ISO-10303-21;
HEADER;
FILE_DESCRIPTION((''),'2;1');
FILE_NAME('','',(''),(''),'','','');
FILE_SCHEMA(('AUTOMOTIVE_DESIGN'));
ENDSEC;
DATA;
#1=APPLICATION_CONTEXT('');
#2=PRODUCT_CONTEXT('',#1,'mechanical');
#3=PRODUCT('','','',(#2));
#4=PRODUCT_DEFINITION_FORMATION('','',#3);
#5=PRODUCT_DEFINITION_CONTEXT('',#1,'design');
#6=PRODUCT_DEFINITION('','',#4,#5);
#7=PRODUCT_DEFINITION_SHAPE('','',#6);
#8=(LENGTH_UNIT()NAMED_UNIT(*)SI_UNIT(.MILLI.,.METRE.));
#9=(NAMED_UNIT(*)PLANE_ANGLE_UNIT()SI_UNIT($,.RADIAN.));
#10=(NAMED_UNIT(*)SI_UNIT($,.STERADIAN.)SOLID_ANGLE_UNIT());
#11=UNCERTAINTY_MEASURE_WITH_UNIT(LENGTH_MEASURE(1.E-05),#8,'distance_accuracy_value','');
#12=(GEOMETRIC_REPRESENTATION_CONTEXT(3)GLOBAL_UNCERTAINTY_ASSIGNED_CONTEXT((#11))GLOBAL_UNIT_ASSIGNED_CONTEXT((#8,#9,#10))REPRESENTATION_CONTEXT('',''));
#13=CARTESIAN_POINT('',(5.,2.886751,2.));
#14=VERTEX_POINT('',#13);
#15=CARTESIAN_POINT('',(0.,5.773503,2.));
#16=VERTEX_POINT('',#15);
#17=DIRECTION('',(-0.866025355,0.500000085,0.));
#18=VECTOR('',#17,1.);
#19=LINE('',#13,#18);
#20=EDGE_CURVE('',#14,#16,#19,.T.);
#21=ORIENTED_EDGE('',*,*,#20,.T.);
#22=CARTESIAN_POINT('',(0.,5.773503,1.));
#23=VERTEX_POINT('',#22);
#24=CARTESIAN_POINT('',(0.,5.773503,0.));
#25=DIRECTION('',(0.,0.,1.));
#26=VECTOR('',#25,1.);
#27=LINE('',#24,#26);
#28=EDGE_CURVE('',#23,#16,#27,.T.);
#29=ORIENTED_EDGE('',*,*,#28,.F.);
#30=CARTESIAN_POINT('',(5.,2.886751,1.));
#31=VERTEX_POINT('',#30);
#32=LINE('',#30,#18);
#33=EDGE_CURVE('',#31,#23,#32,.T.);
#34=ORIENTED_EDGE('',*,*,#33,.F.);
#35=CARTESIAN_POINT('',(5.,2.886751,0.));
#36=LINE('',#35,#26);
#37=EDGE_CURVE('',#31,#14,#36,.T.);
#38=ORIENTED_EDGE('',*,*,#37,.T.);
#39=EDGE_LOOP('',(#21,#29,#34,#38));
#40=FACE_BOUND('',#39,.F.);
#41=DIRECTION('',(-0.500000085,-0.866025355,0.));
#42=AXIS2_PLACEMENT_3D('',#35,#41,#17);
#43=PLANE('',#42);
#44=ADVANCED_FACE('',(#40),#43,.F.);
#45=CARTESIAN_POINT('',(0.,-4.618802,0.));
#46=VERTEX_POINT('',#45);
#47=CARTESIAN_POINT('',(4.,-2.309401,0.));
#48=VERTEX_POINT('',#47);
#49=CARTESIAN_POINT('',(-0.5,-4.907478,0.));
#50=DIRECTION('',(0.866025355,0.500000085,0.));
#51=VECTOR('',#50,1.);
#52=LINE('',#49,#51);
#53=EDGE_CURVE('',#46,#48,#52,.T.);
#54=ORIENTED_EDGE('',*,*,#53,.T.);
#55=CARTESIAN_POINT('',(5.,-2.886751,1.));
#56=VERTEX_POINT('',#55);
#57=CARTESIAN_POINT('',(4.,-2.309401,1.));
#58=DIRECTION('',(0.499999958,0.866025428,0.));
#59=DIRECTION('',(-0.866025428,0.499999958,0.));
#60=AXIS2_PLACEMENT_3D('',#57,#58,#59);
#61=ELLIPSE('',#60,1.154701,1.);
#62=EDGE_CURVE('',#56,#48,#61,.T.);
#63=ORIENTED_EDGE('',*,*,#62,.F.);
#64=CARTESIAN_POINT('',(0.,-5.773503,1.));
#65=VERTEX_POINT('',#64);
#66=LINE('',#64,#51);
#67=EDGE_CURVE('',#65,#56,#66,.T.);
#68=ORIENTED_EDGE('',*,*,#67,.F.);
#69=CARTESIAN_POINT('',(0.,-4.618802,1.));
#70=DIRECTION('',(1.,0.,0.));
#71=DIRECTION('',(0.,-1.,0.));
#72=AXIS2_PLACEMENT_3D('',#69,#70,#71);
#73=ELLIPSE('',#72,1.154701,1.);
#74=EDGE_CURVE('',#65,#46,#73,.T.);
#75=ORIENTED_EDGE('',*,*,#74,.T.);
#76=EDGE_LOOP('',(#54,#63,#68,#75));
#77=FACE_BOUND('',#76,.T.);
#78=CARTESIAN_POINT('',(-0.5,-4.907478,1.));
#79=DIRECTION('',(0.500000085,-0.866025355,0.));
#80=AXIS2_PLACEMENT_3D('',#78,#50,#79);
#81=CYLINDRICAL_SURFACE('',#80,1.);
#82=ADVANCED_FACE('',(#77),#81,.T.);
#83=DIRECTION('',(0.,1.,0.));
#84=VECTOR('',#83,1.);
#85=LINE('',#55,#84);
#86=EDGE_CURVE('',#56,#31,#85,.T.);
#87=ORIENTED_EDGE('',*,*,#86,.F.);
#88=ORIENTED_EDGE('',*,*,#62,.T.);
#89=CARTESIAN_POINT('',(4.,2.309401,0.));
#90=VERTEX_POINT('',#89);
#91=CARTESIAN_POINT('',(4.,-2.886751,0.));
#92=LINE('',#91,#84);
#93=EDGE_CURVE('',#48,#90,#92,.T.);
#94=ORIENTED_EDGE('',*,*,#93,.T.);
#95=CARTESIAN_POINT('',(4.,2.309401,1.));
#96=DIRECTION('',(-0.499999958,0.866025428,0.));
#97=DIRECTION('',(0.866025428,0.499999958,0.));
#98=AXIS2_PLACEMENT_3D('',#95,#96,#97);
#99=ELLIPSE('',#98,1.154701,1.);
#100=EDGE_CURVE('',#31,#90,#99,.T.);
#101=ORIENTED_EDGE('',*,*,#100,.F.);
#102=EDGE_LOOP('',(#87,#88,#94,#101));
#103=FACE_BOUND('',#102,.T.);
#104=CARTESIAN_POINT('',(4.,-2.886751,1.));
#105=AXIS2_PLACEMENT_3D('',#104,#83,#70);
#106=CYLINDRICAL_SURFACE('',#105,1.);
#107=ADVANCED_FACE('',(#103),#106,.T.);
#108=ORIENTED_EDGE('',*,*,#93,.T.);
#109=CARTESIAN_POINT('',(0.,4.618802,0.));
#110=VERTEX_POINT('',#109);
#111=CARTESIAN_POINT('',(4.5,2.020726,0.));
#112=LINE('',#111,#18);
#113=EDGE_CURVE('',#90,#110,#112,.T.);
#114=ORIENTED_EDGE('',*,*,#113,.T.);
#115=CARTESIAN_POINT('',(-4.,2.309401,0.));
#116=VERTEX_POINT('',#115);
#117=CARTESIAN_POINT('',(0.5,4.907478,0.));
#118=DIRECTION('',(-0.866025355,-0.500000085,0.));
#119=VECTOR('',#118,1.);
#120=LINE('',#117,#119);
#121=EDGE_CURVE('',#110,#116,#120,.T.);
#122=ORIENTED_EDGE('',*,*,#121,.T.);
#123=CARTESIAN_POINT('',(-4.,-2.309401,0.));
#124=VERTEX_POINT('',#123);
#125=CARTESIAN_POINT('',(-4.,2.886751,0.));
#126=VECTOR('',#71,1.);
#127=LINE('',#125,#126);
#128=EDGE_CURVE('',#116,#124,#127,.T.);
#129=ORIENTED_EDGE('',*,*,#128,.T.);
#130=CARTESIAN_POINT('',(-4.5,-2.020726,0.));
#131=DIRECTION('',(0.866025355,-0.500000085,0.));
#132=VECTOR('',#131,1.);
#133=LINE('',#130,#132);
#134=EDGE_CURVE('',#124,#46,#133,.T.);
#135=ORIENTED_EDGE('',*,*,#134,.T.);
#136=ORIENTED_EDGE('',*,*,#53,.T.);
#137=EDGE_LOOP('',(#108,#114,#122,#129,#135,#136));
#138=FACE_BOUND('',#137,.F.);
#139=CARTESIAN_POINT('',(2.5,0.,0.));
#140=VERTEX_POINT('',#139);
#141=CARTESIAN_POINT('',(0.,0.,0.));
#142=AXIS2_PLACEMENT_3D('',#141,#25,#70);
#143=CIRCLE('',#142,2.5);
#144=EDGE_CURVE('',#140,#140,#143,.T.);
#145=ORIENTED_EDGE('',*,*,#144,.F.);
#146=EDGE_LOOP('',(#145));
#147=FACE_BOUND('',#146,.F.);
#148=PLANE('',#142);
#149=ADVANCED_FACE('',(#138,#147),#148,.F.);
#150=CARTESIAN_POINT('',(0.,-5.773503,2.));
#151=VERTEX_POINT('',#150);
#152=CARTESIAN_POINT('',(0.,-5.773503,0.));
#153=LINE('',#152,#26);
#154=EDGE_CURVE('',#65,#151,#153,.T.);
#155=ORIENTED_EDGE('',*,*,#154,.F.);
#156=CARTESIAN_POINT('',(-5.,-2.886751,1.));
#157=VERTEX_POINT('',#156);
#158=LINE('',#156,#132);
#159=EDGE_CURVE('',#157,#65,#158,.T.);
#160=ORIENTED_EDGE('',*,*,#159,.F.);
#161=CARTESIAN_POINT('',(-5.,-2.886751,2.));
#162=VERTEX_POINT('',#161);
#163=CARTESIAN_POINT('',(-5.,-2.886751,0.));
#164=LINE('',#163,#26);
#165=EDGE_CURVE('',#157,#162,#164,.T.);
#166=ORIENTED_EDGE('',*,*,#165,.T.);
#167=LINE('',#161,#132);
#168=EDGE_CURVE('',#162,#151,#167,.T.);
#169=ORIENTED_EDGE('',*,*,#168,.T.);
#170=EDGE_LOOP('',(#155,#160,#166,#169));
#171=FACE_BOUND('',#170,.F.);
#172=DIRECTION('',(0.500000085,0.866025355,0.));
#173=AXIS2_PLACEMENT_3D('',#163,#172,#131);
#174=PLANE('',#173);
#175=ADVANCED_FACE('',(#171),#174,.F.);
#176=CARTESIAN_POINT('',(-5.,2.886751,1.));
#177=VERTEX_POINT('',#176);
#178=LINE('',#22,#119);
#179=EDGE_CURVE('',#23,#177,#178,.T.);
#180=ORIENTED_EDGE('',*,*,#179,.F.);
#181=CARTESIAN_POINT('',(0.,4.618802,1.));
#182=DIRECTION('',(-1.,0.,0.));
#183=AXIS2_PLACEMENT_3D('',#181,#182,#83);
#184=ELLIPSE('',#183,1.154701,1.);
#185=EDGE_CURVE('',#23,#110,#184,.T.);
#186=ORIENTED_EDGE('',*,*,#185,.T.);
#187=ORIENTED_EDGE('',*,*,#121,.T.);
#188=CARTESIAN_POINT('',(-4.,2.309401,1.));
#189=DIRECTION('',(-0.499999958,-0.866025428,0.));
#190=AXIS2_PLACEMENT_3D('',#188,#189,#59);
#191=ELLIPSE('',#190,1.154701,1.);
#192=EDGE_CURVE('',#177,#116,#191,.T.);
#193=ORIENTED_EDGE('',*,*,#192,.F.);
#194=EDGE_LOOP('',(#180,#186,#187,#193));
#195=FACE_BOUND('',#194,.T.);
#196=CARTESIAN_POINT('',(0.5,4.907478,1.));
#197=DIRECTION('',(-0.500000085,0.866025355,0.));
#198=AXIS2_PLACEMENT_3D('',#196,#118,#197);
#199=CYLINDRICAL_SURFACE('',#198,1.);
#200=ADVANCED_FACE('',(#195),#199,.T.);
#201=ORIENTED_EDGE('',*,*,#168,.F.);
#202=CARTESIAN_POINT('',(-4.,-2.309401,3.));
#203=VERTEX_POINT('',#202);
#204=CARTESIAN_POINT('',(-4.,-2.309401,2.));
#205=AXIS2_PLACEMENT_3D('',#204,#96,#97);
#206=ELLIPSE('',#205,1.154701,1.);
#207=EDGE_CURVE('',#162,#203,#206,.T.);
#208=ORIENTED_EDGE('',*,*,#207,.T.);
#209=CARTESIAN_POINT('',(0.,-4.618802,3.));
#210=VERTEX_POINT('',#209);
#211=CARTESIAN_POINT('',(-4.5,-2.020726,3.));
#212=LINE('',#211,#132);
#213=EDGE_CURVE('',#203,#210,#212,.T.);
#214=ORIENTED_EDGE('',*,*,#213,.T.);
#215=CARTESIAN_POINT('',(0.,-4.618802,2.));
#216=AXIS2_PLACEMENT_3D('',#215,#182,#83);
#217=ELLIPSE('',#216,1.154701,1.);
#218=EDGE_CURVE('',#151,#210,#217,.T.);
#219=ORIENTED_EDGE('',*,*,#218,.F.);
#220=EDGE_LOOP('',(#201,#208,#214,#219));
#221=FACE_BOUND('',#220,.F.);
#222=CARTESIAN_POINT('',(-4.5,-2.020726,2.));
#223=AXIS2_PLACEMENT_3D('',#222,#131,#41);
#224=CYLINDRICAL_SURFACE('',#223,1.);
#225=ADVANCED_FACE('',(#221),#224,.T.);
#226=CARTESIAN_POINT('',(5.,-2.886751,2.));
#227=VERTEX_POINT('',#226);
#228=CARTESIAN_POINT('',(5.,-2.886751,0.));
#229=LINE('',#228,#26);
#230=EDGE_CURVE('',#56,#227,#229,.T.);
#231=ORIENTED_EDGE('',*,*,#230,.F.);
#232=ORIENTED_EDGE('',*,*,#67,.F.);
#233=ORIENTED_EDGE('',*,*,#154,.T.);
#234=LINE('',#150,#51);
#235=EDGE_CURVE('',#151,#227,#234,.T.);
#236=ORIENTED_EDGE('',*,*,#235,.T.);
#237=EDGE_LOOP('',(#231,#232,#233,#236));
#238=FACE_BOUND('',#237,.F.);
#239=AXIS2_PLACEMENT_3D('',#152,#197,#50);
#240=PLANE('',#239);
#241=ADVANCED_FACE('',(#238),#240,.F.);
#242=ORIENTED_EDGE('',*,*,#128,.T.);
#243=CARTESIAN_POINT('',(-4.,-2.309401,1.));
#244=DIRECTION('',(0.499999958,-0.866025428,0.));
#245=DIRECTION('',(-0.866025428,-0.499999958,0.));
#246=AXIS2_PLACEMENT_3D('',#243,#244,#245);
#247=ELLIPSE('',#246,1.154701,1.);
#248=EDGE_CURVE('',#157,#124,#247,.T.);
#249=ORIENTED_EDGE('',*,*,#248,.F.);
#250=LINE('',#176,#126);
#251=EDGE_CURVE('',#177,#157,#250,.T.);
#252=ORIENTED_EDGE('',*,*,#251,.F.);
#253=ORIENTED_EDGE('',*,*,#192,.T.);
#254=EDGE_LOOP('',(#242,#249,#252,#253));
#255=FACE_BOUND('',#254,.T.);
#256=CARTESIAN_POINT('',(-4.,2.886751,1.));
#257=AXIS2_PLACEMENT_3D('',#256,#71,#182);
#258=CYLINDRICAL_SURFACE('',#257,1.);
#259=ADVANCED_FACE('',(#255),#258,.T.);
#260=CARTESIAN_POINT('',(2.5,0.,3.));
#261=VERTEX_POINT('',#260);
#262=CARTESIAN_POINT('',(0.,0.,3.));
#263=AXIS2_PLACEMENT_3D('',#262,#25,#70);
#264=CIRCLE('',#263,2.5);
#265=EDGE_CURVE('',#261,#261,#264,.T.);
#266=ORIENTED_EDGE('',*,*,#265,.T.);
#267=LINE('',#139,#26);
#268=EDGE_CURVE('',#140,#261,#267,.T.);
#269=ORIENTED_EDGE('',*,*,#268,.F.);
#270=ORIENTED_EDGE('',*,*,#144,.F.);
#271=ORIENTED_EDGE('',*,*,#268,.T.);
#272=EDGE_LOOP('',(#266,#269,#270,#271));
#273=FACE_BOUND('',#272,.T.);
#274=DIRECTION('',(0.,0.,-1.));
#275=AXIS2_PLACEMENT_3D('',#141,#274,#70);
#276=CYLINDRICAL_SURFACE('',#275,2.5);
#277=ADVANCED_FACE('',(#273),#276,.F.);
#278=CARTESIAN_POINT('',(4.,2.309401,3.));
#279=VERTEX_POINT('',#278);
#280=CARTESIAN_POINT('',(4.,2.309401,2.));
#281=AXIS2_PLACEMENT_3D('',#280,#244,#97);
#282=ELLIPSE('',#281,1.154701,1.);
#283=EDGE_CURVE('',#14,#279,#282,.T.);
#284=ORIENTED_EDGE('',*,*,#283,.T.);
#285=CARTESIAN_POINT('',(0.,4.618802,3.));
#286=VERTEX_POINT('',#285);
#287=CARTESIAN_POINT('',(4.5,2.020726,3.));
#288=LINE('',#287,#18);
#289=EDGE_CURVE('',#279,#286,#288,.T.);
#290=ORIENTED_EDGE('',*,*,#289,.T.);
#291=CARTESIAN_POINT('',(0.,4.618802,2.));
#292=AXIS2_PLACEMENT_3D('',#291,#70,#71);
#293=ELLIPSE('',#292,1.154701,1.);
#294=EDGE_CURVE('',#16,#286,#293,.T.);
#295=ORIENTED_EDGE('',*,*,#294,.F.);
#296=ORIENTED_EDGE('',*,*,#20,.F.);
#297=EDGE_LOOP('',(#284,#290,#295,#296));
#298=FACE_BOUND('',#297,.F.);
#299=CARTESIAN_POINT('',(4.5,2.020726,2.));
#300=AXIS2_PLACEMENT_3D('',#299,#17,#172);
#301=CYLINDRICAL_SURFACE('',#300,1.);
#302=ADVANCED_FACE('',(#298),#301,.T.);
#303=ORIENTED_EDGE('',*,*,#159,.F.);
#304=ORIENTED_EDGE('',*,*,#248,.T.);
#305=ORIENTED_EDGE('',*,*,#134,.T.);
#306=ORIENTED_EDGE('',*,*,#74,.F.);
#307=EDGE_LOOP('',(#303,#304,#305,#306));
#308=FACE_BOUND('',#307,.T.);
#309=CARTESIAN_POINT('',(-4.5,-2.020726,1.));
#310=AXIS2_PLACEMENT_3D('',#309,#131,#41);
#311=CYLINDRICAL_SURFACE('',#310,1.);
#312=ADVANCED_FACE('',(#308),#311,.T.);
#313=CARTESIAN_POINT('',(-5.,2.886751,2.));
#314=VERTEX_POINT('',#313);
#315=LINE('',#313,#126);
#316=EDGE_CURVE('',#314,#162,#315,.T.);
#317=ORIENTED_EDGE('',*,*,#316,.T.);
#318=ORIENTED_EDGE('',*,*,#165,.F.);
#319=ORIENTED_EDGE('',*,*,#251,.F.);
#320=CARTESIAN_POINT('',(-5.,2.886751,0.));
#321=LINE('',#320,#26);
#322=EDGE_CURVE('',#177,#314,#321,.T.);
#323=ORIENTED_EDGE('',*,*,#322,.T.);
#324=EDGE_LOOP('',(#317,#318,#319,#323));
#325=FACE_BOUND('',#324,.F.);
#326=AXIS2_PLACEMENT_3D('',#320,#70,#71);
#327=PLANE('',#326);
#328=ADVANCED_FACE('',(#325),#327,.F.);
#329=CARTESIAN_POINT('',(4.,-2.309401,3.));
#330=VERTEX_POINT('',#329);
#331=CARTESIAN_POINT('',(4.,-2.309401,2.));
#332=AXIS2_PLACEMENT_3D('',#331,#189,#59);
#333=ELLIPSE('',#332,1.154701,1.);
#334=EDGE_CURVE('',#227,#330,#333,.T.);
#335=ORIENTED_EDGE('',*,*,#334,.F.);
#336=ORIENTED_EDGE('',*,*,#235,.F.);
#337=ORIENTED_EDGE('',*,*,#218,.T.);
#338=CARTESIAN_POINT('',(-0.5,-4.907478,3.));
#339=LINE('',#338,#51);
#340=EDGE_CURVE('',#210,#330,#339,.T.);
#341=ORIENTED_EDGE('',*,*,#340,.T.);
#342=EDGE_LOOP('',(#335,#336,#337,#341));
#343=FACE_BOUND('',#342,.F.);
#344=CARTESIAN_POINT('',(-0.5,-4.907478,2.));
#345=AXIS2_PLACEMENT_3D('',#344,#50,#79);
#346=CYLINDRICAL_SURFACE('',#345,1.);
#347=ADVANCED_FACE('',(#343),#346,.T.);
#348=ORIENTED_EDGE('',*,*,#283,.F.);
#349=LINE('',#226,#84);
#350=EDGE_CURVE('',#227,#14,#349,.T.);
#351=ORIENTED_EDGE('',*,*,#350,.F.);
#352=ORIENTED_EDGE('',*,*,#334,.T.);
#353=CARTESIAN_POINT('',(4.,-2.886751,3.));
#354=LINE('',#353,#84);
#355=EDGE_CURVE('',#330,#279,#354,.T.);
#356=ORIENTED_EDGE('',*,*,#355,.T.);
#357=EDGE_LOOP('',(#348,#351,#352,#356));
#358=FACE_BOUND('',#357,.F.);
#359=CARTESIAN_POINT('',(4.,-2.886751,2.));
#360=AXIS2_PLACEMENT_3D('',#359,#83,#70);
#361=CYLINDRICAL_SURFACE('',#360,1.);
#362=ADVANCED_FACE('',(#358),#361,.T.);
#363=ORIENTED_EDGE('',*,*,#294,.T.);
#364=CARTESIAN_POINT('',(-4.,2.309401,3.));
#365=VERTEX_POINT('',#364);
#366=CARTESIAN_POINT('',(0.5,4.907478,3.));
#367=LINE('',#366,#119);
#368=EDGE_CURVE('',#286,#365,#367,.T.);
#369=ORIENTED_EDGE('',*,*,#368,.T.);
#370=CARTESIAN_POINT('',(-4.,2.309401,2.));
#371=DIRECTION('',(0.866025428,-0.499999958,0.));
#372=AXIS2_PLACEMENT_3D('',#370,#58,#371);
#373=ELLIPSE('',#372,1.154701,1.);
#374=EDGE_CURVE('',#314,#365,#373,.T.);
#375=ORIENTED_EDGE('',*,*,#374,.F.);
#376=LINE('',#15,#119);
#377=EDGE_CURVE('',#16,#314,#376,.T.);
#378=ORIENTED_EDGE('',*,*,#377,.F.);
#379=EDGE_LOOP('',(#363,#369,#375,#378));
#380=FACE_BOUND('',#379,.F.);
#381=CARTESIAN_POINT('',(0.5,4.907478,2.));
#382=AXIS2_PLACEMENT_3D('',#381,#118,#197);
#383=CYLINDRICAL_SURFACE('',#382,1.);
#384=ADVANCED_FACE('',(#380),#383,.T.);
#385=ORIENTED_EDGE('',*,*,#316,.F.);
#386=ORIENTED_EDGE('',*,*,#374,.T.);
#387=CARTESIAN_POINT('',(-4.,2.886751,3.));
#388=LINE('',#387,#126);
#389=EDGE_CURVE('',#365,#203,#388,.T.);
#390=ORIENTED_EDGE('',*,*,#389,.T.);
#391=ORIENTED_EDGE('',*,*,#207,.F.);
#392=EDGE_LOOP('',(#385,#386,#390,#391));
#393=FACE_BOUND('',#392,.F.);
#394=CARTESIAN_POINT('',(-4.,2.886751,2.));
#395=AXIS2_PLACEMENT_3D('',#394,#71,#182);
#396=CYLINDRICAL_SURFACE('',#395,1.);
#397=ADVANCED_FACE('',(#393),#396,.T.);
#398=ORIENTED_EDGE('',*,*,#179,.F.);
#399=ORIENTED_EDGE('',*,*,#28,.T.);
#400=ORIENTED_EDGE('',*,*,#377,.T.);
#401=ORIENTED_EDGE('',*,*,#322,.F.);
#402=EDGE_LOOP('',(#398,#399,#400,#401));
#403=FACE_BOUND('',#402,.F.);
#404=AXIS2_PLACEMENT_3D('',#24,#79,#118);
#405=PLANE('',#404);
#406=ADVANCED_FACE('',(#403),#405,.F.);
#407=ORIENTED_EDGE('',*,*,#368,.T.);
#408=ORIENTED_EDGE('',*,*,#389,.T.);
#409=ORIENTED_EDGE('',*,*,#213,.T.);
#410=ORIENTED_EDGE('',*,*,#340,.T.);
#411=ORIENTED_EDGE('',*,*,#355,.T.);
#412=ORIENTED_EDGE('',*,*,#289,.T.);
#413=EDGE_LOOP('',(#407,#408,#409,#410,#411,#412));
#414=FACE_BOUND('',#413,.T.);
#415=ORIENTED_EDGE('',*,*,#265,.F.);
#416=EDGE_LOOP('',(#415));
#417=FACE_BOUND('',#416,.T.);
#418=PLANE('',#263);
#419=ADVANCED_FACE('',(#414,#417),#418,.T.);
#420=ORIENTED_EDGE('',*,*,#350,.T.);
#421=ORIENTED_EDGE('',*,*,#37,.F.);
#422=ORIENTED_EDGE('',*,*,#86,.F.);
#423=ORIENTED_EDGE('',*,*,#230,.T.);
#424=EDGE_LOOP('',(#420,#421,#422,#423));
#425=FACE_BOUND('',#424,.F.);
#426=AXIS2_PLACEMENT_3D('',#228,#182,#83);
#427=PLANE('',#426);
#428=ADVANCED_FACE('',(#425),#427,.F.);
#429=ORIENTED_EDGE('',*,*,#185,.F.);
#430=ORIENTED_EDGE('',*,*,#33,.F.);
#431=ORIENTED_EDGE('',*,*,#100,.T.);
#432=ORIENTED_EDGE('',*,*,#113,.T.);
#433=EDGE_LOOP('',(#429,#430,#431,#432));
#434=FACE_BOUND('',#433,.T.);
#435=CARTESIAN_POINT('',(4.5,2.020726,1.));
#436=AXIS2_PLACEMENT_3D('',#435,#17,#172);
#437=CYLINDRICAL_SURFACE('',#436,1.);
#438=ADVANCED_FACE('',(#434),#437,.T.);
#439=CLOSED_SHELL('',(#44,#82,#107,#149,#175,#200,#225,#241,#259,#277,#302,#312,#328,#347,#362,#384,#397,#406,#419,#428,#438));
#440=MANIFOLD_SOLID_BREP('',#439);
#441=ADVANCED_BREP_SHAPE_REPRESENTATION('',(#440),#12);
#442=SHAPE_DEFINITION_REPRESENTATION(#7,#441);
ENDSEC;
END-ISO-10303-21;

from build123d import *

# Parameters (mm, degrees)
F0_R     = 2.5
F1_DEPTH = 3
F2_R     = 1


with BuildPart() as f1:
    # F0 (on Top) → F1 (new body)
    with BuildSketch(Plane.XY):
        Polygon((-5, 2.886751), (-5, -2.886751), (0, -5.773503), (5, -2.886751), (5, 2.886751), (0, 5.773503), align=None)
        Circle(F0_R, mode=Mode.SUBTRACT)
    extrude(amount=F1_DEPTH)

    # F2
    f2_edges = [f1.edges().sort_by_distance(p)[0] for p in [
        (5, 0, 0),
        (2.5, 4.330127, 0),
        (-2.5, 4.330127, 0),
        (-5, 0, 0),
        (-2.5, -4.330127, 0),
        (2.5, -4.330127, 0),
        (5, 0, 3),
        (2.5, -4.330127, 3),
        (-2.5, -4.330127, 3),
        (-5, 0, 3),
        (-2.5, 4.330127, 3),
        (2.5, 4.330127, 3),
    ]]
    fillet(f2_edges, radius=F2_R)


solid = f1.part
